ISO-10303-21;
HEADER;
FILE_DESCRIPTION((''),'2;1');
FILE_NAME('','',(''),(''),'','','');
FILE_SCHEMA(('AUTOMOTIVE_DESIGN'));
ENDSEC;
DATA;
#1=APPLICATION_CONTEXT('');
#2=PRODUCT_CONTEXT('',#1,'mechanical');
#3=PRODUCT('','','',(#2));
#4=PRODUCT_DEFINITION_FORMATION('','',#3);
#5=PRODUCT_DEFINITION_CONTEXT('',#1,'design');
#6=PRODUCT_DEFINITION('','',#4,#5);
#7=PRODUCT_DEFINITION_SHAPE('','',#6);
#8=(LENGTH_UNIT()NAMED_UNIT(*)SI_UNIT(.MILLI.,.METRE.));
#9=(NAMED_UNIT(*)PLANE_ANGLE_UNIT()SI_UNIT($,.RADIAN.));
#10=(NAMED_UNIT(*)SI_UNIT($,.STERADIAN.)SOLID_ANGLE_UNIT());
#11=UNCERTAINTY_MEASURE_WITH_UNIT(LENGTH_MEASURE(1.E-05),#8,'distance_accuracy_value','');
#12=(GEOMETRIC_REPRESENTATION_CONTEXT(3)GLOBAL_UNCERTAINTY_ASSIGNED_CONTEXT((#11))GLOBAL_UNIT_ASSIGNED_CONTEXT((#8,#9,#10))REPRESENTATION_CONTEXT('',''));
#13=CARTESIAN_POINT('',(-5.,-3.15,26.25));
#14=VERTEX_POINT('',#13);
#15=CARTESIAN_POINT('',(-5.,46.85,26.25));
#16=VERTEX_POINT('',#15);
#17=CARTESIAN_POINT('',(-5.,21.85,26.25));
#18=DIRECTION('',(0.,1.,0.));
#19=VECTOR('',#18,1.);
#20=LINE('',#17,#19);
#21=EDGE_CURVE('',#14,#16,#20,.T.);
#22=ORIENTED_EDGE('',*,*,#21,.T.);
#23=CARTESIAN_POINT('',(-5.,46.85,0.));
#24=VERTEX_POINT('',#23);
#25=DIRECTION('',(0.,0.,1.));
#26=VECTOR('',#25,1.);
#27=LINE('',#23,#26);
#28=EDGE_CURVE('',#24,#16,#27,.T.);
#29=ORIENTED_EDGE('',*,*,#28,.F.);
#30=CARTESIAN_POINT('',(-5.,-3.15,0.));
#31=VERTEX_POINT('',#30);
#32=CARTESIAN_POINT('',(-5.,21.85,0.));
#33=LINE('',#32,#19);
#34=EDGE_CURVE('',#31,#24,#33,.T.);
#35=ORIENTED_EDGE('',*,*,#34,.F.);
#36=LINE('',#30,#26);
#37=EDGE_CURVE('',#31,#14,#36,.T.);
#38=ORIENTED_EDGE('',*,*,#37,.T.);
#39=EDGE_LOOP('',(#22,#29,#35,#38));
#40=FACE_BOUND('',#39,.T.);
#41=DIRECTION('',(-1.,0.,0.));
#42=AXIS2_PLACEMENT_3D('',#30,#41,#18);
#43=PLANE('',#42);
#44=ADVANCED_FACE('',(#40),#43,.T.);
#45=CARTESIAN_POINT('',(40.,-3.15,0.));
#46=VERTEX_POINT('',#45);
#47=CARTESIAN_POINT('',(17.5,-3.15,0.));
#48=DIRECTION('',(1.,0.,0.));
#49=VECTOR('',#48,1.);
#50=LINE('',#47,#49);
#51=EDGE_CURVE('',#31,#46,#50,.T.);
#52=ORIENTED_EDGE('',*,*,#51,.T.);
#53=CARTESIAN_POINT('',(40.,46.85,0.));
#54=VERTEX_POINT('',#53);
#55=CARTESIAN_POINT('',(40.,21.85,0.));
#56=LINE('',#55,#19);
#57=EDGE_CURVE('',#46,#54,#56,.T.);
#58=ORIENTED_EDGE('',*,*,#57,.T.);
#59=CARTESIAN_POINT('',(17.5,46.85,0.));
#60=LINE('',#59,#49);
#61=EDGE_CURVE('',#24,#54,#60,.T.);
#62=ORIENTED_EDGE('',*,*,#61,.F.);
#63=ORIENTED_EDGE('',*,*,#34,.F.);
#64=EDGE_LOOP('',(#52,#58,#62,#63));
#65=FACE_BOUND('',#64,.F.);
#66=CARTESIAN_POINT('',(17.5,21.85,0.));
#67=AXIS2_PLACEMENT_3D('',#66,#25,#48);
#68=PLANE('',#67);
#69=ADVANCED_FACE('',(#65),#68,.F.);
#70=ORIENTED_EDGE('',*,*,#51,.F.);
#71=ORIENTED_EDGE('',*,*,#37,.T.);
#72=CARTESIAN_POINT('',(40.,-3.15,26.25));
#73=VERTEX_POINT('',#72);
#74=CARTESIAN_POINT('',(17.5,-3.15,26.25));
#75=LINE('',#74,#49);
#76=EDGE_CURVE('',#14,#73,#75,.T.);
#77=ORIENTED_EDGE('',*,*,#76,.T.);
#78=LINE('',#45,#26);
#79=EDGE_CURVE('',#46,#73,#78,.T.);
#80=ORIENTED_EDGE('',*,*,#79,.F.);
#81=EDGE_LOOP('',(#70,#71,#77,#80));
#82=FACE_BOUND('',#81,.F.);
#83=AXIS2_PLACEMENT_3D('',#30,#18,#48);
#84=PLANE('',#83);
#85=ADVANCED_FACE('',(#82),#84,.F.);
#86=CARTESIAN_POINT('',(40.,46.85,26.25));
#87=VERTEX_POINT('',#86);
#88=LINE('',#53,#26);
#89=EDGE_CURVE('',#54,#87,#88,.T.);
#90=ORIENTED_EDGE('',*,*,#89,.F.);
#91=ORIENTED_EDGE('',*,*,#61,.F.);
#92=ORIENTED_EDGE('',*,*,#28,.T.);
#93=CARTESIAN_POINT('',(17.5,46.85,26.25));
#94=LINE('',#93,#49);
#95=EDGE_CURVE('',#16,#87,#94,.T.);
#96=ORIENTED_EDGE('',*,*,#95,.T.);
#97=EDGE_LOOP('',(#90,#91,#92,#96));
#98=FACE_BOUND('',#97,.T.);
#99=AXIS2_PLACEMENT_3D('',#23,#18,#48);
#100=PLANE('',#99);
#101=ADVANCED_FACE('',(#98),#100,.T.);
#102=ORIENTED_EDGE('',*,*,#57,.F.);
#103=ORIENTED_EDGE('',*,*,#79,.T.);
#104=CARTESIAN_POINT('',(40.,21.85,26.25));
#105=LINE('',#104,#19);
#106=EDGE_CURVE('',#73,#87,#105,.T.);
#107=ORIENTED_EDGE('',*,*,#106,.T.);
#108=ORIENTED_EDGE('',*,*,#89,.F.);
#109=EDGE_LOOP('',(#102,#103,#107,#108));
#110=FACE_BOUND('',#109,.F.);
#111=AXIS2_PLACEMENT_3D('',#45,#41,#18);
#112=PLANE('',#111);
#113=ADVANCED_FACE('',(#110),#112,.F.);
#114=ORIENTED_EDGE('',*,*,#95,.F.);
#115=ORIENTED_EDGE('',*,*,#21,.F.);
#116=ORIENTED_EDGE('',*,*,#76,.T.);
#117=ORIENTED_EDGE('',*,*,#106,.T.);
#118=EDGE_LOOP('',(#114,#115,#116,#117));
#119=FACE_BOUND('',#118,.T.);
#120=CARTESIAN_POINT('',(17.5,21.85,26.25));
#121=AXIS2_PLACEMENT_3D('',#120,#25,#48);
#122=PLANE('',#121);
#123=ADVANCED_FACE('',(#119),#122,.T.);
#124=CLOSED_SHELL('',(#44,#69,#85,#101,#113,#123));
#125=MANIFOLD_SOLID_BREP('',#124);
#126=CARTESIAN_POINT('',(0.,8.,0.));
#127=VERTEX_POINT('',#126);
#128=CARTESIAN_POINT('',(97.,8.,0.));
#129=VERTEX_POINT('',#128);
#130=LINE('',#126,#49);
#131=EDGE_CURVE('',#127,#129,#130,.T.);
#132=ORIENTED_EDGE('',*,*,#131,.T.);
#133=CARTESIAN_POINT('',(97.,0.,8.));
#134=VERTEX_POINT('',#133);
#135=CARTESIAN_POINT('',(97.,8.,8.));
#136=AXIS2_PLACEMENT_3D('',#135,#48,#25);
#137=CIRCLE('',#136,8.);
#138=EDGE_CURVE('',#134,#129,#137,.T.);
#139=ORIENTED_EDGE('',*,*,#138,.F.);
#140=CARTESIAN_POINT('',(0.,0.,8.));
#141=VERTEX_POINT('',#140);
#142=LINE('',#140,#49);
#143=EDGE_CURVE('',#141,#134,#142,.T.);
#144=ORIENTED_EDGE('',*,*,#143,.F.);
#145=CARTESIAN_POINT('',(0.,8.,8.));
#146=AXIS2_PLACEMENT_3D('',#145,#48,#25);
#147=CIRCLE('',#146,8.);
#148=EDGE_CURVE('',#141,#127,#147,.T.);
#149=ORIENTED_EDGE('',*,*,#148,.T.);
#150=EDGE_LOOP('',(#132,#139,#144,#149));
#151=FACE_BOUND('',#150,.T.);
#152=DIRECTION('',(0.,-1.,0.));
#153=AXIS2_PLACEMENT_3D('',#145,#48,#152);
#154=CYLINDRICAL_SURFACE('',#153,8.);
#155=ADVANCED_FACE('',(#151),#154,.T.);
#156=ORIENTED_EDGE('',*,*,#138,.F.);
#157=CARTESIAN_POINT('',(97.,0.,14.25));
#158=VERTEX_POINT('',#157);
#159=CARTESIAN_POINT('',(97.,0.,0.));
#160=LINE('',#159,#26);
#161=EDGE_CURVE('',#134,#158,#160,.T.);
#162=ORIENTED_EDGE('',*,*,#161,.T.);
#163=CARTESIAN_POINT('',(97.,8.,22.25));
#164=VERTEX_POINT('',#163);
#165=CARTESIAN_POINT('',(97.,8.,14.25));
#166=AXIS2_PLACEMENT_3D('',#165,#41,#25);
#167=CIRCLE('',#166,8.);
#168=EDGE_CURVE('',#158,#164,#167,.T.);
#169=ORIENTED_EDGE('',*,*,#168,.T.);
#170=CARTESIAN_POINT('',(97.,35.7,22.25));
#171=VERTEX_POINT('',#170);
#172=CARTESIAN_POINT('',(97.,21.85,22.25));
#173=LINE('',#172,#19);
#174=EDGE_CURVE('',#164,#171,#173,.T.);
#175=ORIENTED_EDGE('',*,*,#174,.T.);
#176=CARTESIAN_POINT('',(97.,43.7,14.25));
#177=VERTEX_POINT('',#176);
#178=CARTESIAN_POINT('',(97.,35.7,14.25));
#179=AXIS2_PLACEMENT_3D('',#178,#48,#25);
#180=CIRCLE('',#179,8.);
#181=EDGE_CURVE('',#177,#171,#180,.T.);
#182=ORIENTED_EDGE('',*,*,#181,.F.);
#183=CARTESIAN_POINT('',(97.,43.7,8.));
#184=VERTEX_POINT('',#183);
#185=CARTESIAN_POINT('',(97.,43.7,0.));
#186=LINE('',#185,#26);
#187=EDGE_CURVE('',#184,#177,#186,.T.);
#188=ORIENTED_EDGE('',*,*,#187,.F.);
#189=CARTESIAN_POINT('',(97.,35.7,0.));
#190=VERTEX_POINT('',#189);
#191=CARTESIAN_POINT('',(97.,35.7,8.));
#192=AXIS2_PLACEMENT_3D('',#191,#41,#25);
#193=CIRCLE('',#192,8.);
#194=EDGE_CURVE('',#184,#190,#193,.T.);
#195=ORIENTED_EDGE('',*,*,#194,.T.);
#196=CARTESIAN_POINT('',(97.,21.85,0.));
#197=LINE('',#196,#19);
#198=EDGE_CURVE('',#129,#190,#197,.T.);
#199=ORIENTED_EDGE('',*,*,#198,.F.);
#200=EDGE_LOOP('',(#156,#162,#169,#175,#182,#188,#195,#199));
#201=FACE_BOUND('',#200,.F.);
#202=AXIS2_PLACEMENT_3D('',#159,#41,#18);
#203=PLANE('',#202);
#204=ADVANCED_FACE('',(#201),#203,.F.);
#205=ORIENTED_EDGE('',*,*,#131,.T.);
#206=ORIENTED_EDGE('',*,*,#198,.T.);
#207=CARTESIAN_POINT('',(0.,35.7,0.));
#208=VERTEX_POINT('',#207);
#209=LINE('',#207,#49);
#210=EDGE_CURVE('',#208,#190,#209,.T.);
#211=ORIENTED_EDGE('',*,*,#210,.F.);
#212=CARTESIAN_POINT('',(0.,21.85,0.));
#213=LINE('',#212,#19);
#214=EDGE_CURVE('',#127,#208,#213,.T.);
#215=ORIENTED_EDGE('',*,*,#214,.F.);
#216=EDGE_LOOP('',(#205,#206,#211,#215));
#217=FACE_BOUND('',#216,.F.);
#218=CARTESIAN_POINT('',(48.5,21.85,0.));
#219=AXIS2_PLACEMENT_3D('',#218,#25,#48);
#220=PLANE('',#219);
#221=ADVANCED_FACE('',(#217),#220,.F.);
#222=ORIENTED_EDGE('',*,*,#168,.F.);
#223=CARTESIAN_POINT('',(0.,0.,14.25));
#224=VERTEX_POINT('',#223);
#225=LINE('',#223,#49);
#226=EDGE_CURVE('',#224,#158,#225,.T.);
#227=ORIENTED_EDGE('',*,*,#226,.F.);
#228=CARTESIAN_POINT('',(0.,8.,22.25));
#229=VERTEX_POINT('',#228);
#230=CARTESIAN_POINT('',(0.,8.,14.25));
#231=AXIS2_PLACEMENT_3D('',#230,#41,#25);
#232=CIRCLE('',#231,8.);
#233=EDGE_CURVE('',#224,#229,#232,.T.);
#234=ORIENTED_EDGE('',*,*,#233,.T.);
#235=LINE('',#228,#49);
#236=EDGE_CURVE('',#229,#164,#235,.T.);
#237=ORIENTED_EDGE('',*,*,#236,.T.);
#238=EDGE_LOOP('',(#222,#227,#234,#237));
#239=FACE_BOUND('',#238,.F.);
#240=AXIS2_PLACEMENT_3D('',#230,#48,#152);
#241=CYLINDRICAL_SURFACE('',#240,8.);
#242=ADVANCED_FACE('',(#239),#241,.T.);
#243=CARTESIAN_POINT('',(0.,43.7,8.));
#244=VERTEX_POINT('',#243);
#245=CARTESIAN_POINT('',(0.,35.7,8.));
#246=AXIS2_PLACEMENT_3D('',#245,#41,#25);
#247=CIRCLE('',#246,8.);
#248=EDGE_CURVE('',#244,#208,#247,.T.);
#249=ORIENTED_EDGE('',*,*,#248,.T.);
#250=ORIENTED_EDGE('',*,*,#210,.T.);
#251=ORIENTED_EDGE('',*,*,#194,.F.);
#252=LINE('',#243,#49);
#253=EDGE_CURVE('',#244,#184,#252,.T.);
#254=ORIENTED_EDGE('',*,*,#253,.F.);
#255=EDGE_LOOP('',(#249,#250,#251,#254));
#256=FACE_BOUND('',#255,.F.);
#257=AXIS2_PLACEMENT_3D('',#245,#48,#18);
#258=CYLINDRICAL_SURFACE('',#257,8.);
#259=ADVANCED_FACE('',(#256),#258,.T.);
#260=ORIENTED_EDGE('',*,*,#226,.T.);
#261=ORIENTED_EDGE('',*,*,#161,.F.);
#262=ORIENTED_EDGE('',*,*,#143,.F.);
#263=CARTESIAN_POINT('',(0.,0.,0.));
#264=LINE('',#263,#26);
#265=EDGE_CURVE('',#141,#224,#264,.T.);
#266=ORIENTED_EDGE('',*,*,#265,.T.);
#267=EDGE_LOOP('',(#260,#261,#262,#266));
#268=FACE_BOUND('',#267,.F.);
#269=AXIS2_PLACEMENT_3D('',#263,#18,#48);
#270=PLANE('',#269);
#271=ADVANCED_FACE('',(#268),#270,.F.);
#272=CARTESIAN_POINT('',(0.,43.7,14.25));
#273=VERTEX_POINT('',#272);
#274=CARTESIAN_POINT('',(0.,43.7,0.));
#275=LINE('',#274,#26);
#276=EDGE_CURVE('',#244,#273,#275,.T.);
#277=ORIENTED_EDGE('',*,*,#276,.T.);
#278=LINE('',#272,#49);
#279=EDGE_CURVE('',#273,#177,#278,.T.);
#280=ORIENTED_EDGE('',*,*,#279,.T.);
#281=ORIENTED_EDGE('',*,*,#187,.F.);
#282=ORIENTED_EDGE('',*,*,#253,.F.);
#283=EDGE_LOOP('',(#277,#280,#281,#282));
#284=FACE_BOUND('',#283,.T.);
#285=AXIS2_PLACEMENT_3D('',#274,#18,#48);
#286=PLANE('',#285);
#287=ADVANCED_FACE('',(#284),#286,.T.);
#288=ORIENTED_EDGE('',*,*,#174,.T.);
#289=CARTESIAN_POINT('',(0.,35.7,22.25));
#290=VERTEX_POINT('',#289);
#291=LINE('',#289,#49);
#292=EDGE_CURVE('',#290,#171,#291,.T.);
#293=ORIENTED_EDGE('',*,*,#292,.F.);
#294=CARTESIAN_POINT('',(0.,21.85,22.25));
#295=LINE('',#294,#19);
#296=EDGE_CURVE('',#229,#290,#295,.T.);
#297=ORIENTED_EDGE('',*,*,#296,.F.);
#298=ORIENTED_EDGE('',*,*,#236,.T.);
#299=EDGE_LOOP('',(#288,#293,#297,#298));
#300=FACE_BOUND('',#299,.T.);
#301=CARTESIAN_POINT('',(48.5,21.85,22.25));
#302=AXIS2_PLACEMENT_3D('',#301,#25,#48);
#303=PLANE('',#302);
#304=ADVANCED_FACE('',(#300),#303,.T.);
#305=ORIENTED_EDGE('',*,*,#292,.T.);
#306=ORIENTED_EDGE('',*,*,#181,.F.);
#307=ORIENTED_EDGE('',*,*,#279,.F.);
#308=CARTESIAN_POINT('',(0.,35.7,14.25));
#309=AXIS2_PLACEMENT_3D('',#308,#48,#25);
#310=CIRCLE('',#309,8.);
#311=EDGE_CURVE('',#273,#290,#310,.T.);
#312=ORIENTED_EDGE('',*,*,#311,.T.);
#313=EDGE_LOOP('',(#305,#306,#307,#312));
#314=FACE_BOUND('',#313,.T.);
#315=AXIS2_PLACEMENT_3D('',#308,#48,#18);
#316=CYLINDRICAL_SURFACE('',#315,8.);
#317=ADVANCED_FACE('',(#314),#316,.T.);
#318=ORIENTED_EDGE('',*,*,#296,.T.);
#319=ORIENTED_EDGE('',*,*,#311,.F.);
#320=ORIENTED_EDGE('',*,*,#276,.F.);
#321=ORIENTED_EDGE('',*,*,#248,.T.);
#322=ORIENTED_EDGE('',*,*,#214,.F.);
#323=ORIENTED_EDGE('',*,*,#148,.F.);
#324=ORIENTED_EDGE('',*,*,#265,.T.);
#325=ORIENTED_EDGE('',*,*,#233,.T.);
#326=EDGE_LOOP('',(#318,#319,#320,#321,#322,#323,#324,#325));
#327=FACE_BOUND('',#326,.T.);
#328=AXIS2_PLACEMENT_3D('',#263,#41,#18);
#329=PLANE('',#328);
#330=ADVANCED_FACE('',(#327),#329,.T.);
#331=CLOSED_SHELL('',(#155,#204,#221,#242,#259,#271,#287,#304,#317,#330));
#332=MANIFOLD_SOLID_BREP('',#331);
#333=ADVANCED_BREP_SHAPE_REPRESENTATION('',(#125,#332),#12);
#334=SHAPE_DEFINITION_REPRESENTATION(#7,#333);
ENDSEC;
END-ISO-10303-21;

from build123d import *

# Parameters (mm, degrees)
BOX_W        = 97
BOX_H        = 43.7
BOX_DEPTH    = 22.25
FILLET_R     = 8
BOX001_W     = 45
BOX001_H     = 50
BOX001_DEPTH = 26.25


with BuildPart() as fillet_body:
    # Box → Box (new body)
    with BuildSketch(Plane.XY):
        with Locations((48.5, 21.85)):
            Rectangle(BOX_W, BOX_H)
    extrude(amount=BOX_DEPTH)

    # Fillet
    fillet_edges = [fillet_body.edges().sort_by_distance(p)[0] for p in [
        (48.5, 0, 0),
        (48.5, 0, 22.25),
        (48.5, 43.7, 0),
        (48.5, 43.7, 22.25),
    ]]
    fillet(fillet_edges, radius=FILLET_R)


with BuildPart() as cube001:
    # Box001 → Box001 (new body)
    with BuildSketch(Plane(origin=(-5, -3.15, 0), x_dir=(1, 0, 0), z_dir=(0, 0, 1))):
        with Locations((22.5, 25)):
            Rectangle(BOX001_W, BOX001_H)
    extrude(amount=BOX001_DEPTH)


solid = Compound([fillet_body.part, cube001.part])
